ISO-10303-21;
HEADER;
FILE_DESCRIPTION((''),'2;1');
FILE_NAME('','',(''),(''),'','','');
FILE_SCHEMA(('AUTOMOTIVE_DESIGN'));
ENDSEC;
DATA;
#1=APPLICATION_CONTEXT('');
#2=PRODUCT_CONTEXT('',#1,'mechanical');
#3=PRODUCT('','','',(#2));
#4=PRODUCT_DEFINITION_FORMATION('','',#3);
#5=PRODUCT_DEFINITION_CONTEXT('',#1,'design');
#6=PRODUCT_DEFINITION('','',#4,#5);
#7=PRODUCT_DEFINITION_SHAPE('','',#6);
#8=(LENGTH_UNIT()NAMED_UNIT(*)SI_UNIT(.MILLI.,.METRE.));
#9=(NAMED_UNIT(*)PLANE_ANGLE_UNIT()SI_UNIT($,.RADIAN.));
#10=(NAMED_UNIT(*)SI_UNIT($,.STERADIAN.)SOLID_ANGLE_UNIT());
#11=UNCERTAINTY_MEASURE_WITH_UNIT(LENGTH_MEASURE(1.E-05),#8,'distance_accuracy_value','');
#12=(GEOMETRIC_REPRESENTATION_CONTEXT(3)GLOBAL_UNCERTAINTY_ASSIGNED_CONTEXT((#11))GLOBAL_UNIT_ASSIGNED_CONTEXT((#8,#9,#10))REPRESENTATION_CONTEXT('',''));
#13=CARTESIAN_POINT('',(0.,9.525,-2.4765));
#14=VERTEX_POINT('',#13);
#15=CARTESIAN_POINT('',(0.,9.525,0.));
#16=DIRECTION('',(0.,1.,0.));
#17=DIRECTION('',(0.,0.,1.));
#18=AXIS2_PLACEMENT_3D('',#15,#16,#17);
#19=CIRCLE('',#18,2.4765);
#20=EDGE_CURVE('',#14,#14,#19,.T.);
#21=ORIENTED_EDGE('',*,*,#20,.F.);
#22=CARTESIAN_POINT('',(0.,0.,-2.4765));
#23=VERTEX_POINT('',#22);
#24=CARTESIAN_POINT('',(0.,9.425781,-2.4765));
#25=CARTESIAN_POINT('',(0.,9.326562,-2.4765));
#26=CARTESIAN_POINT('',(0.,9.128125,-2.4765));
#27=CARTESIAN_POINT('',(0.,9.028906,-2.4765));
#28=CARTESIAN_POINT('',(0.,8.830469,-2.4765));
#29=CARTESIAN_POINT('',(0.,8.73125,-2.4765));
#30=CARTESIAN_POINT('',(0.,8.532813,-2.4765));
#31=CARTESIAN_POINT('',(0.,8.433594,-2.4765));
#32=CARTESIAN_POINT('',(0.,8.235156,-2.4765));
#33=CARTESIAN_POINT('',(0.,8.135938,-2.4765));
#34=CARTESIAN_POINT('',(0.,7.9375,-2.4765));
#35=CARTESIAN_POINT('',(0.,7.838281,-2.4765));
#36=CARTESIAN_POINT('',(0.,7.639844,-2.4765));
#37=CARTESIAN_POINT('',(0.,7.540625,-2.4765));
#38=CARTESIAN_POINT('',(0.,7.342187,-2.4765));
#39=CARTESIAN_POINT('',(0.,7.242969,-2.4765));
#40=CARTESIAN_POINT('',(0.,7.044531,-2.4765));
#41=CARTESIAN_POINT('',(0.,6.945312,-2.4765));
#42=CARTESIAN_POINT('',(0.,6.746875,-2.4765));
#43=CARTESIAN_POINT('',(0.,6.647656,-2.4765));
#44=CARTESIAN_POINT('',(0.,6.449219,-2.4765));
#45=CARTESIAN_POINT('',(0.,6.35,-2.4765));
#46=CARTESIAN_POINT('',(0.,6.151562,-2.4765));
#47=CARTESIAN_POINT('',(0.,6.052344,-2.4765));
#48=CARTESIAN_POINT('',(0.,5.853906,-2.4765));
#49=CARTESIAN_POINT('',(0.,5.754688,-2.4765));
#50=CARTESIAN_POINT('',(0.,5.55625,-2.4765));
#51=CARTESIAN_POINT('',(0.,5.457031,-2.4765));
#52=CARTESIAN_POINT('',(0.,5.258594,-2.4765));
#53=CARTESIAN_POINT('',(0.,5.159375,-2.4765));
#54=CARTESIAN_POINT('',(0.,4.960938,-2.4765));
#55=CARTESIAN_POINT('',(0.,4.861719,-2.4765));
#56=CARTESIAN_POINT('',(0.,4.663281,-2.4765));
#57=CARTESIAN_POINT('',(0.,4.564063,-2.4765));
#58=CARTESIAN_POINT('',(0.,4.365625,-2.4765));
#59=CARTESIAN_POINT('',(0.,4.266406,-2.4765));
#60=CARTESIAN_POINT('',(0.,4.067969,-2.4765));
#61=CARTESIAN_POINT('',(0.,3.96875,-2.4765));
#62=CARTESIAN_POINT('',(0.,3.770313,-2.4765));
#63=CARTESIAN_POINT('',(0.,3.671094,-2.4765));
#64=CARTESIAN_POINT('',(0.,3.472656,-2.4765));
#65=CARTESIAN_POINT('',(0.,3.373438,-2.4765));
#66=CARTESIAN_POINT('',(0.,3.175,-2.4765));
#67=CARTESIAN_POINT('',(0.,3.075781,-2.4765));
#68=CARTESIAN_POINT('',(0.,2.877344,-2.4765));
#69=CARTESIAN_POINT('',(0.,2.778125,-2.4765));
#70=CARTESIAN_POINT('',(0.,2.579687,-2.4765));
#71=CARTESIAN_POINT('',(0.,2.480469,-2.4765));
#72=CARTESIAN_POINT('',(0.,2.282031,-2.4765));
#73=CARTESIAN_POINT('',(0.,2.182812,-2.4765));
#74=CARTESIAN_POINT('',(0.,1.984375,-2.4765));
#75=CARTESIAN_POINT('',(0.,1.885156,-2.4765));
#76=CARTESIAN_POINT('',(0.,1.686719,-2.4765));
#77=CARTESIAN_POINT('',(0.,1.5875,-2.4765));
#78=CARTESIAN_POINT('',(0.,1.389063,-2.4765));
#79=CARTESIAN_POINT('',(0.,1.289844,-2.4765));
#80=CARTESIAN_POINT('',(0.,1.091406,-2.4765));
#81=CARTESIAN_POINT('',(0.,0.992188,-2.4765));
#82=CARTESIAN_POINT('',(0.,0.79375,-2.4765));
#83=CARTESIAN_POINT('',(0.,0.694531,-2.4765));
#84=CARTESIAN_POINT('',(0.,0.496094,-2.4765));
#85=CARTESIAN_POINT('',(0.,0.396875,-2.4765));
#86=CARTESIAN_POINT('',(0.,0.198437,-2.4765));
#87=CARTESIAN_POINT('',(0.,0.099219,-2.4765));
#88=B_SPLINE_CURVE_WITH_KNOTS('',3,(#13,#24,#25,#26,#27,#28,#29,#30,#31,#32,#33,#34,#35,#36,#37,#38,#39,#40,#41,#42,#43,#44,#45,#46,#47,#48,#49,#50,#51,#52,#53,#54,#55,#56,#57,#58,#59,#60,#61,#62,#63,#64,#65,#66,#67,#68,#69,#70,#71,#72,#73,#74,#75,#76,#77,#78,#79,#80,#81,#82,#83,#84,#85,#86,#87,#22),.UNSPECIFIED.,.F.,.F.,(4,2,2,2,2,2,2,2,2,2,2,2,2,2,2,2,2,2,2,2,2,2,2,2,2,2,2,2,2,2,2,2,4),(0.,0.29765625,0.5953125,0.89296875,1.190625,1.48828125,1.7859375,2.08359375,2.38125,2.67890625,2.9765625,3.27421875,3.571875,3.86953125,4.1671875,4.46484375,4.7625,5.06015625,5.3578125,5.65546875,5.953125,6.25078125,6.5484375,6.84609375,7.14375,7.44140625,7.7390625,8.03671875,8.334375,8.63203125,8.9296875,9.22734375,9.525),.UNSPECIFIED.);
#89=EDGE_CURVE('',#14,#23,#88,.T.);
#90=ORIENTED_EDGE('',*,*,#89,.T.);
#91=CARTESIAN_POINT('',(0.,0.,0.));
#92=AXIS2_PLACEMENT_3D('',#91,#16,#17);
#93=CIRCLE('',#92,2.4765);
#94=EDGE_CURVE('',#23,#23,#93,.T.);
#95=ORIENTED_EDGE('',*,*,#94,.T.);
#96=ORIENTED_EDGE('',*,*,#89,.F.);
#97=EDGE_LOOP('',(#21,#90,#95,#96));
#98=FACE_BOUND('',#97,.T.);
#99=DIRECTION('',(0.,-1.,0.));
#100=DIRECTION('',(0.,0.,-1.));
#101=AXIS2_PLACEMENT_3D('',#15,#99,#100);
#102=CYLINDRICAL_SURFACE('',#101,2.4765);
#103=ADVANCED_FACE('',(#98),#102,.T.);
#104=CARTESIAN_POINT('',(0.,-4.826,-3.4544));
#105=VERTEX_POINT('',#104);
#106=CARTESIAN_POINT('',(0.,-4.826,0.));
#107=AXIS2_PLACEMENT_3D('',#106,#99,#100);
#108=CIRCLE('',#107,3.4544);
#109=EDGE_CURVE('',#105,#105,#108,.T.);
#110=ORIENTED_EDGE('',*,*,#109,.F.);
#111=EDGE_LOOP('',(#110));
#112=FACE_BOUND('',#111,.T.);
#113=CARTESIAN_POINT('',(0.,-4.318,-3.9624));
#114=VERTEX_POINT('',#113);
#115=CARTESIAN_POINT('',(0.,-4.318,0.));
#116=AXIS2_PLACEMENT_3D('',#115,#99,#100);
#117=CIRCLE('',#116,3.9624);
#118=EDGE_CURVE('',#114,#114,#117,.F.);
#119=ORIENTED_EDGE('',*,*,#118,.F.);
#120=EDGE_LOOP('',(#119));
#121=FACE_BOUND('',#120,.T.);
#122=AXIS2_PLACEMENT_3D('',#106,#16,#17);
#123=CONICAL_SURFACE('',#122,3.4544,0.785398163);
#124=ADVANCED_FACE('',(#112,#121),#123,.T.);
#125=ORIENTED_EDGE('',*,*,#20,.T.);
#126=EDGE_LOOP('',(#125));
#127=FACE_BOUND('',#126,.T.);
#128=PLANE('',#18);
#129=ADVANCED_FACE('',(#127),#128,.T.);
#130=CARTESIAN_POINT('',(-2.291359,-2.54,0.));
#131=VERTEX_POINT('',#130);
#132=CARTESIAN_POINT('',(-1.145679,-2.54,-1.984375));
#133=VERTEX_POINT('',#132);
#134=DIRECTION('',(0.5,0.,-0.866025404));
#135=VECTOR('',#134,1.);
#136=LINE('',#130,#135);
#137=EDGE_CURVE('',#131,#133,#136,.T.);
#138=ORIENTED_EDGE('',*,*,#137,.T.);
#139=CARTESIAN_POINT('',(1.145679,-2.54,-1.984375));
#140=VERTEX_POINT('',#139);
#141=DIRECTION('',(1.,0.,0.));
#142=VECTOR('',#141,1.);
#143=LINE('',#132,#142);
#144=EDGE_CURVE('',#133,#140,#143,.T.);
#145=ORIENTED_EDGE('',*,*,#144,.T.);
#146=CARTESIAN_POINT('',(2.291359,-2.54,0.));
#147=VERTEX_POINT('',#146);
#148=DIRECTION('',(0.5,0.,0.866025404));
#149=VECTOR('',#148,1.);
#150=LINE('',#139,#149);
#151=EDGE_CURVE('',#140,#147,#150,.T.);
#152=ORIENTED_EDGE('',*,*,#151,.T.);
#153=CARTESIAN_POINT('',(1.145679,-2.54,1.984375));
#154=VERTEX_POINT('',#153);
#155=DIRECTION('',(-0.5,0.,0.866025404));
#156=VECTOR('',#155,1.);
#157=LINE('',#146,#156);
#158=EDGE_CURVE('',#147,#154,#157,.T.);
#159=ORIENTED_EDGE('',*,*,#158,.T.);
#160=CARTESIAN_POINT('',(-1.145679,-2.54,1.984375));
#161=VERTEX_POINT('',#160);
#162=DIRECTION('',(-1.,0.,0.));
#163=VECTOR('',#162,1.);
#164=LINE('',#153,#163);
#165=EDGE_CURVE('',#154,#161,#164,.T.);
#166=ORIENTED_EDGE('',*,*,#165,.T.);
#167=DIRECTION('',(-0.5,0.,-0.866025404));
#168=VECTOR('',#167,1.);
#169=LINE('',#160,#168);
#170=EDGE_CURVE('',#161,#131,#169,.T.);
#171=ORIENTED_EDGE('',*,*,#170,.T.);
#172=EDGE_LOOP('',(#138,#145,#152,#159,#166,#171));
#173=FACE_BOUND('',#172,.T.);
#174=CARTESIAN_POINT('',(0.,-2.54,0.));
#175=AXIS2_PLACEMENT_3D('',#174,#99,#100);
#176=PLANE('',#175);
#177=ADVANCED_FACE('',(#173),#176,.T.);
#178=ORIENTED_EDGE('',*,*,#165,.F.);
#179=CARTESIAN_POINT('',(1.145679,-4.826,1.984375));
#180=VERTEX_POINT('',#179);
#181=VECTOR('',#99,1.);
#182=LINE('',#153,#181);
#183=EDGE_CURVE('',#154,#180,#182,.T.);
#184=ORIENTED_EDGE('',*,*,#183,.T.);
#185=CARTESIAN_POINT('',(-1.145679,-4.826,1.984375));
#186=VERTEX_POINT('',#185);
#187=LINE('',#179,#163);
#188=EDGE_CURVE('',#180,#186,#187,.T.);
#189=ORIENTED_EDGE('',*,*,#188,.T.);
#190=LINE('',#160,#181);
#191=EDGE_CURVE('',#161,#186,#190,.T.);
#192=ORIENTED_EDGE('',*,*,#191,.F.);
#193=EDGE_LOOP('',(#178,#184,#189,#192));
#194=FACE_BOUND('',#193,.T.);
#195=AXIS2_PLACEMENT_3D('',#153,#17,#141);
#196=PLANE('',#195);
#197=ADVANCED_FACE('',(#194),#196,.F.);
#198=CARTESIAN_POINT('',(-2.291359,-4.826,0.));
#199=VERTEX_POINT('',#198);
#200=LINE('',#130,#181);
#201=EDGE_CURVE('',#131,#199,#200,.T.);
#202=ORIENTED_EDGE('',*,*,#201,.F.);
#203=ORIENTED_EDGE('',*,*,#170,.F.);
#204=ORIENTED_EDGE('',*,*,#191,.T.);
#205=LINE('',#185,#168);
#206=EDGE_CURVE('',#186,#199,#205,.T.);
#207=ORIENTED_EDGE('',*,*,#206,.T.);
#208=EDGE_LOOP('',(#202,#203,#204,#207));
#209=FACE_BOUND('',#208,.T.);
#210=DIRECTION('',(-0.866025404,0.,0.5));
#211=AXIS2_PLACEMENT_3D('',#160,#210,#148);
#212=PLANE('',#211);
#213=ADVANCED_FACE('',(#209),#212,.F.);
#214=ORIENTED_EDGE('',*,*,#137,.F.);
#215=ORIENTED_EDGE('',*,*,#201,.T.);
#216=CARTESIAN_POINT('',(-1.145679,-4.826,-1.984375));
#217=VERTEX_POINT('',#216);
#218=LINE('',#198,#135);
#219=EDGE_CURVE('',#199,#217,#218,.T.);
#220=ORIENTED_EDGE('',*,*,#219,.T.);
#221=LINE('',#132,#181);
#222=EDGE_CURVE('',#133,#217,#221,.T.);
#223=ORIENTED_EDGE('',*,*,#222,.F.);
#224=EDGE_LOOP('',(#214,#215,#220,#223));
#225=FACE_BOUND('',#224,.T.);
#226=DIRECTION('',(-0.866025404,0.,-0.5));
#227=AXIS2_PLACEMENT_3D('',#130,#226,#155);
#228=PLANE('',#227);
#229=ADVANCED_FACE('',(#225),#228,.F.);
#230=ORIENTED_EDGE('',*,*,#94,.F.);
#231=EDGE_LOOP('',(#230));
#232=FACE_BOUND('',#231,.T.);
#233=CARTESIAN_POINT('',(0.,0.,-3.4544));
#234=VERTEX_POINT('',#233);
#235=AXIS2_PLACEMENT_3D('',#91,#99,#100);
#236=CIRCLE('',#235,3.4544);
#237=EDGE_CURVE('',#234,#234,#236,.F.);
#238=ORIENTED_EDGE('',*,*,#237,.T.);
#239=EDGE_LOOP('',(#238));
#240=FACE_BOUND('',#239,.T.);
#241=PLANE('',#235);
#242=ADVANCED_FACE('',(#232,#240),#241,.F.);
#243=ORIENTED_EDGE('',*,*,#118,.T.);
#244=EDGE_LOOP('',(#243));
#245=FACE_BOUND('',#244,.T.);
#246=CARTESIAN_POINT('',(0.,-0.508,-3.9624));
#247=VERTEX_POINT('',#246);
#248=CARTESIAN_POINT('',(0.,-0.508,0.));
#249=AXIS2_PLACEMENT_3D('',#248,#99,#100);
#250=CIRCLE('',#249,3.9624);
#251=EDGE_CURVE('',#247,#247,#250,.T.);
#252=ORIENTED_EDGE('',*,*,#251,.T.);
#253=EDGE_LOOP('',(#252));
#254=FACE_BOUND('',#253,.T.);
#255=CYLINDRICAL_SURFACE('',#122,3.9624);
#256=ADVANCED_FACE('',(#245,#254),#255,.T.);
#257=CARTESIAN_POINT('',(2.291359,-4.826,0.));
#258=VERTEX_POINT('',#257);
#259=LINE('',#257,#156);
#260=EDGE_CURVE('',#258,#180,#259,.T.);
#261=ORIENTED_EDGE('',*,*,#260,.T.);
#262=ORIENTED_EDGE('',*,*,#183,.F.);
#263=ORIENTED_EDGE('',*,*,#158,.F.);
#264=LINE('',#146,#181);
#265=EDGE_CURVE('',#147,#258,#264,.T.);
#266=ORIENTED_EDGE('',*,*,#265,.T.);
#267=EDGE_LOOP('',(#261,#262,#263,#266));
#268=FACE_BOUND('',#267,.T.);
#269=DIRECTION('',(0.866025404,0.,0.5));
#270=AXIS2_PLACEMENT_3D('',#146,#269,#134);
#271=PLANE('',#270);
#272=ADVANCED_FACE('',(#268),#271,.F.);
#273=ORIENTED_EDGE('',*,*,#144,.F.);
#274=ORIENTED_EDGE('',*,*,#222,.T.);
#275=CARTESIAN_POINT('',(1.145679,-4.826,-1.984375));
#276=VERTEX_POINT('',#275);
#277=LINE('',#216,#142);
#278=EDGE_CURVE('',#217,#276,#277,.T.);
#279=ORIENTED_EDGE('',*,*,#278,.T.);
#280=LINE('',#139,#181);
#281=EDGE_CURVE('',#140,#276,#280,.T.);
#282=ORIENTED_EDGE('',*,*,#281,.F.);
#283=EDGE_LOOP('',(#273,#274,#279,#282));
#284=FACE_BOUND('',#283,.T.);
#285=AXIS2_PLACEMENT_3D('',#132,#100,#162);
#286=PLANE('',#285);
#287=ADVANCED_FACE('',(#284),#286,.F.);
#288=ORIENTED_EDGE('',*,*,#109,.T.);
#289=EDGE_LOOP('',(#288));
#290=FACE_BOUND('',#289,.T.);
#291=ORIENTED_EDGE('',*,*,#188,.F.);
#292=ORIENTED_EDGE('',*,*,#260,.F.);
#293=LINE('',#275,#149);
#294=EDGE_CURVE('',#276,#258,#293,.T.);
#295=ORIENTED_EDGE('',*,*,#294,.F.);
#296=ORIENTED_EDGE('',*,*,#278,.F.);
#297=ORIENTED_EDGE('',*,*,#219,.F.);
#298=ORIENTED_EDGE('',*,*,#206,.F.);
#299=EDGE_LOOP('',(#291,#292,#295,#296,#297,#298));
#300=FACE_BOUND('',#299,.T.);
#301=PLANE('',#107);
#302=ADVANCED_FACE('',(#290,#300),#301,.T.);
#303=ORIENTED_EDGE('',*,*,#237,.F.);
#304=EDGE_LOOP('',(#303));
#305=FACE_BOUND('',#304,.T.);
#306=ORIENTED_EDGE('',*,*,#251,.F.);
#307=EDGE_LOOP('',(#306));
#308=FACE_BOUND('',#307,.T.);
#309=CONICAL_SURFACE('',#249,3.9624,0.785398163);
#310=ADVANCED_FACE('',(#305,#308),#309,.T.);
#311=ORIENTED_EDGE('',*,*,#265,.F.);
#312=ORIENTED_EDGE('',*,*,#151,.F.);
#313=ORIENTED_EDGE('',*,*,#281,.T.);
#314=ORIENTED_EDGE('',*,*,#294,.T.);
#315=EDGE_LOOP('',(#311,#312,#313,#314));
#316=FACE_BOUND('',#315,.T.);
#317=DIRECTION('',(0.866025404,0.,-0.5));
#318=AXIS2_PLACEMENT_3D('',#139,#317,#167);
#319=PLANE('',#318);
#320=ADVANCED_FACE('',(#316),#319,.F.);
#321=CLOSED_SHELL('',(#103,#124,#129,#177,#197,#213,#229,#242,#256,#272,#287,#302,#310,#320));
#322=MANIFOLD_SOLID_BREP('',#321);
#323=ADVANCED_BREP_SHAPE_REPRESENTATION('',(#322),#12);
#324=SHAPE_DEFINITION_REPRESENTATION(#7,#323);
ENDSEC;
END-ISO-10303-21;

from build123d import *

# Parameters (mm, degrees)
SKETCH1_R           = 2.4765
BOSS_EXTRUDE1_DEPTH = 9.525
SKETCH2_R           = 3.9624
BOSS_EXTRUDE2_DEPTH = 4.826
CUT_EXTRUDE1_DEPTH  = 2.286
CHAMFER1_SIZE       = 0.508


with BuildPart() as part:
    # Sketch1 → Boss-Extrude1 (new body)
    with BuildSketch(Plane(origin=(0, 0, 0), x_dir=(1, 0, 0), z_dir=(0, 1, 0))):
        with Locations(Location((0, 0, 0), (0, 0, 90))):
            Circle(SKETCH1_R)
    extrude(amount=BOSS_EXTRUDE1_DEPTH)

    # Sketch2 → Boss-Extrude2 (add)
    with BuildSketch(Plane.XZ):
        with Locations(Location((0, 0, 0), (0, 0, 270))):
            Circle(SKETCH2_R)
    extrude(amount=BOSS_EXTRUDE2_DEPTH)

    # Sketch3 → Cut-Extrude1 (cut)
    with BuildSketch(Plane.XZ.offset(4.826)):
        Polygon((2.291358881, 0), (1.14567944, 1.984375), (-1.14567944, 1.984375), (-2.291358881, 0), (-1.14567944, -1.984375), (1.14567944, -1.984375), align=None)
    extrude(amount=-CUT_EXTRUDE1_DEPTH, mode=Mode.SUBTRACT)

    # Chamfer1
    chamfer1_edges = [part.edges().sort_by_distance(p)[0] for p in [
        (0, 0, 3.9624),
        (0, -4.826, 3.9624),
    ]]
    chamfer(chamfer1_edges, length=CHAMFER1_SIZE)


solid = part.part
